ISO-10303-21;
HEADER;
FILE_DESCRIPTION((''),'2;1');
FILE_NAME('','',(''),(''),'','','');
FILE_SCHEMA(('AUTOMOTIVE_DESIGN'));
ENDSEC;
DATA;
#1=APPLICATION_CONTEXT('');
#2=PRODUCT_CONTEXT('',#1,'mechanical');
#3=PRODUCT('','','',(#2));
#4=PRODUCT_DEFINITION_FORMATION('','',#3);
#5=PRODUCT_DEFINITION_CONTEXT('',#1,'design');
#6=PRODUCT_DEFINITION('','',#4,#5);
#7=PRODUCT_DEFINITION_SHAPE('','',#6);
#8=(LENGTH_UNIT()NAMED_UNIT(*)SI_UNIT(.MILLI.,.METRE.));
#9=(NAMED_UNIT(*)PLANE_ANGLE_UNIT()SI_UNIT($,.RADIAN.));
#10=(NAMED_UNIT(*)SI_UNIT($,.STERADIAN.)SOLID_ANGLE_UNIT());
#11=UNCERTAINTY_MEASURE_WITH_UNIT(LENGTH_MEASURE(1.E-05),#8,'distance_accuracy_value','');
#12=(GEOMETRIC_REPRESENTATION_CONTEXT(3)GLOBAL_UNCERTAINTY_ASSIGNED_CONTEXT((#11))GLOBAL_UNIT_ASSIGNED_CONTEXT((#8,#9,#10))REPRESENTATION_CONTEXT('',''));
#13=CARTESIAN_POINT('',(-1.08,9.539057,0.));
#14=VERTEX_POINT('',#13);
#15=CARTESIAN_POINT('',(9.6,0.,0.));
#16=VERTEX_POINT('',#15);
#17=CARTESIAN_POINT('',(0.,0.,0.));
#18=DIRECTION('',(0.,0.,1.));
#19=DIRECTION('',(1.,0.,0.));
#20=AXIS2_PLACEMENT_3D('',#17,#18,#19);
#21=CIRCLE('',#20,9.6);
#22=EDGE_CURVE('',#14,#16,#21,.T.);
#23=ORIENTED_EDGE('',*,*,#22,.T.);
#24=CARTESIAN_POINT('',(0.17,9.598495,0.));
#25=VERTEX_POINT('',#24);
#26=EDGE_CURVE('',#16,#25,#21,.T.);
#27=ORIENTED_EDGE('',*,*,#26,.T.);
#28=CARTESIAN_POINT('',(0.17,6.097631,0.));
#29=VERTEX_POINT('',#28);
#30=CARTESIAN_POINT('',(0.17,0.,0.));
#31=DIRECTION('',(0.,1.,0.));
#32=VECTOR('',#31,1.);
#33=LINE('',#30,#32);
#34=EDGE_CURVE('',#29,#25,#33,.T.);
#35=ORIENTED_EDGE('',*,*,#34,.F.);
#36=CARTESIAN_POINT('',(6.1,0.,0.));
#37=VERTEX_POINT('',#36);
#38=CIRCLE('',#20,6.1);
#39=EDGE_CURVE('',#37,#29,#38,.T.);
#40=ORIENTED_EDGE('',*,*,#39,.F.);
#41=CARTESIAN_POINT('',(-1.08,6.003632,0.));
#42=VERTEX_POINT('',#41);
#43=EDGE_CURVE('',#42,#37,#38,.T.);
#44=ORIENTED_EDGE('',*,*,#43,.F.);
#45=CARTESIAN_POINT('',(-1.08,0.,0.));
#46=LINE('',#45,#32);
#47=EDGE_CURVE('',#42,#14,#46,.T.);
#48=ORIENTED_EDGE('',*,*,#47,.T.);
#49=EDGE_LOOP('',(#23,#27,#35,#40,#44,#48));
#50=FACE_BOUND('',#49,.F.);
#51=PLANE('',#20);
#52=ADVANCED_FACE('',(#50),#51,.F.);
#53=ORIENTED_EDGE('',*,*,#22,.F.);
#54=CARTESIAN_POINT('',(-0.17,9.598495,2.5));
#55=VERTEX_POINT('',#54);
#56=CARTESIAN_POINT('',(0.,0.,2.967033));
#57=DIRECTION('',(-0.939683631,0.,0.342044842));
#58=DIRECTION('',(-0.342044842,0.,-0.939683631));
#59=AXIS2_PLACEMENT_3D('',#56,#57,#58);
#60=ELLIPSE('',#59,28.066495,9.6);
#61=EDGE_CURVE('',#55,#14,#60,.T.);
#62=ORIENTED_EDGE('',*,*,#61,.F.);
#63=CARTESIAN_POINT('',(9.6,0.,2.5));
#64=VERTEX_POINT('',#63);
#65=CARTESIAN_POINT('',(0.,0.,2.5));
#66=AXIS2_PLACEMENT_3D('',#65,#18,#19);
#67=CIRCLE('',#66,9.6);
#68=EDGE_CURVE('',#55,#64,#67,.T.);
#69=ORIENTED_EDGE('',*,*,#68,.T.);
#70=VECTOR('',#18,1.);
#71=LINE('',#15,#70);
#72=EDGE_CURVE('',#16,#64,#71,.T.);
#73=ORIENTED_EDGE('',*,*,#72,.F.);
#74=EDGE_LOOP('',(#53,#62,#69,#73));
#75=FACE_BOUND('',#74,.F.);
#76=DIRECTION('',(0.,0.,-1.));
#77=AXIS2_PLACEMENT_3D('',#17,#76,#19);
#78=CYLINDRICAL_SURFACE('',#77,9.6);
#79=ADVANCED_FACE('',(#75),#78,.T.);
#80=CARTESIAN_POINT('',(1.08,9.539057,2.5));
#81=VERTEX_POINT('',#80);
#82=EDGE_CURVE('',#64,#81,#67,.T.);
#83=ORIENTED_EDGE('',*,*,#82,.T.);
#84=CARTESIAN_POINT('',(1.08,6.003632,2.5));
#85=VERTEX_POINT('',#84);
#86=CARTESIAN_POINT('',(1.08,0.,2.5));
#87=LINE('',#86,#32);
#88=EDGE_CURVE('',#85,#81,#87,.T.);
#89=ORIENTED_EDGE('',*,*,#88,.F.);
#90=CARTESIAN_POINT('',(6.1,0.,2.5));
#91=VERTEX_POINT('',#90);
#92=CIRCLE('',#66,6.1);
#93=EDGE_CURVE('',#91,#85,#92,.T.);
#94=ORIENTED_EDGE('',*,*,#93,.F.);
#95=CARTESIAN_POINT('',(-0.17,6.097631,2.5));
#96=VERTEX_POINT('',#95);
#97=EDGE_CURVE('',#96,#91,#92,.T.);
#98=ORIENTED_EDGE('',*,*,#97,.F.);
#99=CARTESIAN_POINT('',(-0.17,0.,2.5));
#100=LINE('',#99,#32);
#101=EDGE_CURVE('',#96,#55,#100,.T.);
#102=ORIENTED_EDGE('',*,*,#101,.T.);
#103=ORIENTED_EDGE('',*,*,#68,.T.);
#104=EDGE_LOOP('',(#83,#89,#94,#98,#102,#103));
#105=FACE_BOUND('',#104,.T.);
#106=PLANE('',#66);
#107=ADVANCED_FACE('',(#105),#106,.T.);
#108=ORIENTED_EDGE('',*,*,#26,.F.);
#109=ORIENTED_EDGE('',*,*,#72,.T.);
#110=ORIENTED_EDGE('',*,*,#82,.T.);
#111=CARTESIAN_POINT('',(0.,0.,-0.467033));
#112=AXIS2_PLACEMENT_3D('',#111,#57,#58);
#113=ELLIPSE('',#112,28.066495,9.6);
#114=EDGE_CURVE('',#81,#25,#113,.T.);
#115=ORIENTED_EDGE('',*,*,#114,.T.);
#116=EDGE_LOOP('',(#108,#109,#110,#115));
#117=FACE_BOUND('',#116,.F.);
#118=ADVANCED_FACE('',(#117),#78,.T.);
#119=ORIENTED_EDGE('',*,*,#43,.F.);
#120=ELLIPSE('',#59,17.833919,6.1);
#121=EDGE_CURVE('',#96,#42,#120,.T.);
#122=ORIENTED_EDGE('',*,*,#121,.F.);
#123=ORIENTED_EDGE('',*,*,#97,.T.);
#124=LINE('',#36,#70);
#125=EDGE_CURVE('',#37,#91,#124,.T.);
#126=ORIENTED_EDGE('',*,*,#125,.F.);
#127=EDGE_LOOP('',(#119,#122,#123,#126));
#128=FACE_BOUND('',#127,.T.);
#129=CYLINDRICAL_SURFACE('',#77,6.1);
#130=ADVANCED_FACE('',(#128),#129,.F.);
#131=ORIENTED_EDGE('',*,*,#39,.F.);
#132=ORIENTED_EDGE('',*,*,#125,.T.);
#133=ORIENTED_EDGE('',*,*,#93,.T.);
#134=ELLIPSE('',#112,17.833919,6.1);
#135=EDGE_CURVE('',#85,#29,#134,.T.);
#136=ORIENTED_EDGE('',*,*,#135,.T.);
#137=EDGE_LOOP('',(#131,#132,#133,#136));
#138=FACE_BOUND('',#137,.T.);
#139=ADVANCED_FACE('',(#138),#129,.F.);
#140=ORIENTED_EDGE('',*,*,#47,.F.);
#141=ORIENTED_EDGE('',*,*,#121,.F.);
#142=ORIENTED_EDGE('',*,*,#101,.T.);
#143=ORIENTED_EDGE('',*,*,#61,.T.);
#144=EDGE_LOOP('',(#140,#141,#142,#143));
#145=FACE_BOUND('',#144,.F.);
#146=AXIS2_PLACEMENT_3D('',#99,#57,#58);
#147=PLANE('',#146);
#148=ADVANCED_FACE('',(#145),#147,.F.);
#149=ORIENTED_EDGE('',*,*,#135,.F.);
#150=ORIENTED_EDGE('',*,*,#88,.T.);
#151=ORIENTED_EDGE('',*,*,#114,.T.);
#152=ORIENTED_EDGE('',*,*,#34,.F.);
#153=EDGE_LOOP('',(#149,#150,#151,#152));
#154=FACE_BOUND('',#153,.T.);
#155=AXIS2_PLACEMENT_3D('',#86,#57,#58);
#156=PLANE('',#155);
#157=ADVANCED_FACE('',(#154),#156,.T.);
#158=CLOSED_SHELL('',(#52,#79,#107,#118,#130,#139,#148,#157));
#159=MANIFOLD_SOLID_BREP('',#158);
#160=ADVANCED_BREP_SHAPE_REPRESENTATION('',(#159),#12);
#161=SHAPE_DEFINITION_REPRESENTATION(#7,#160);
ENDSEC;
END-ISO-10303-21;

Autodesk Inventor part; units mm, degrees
ref_plane "XZ Plane" through (0, 0, 0) normal (0, 1, 0) x (-1, 0, 0)
ref_plane "XY Plane" through (0, 0, 0) normal (0, 0, 1) x (1, 0, 0)
sketch "Sketch1" plane through (0, 0, 0) normal (0, 0, 1) x (1, 0, 0)
  circle A0 centre (0, 0) radius 9.6
  circle A1 centre (0, 0) radius 6.1
  line L0 (-2.59, 0) -> (2.59, 0) construction
  line L1 (0, -2.59) -> (0, 2.59) construction
  dimension "d0" = 19.2
  dimension "d1" = 12.2
extrude "Выдавливание1" add sketch "Sketch1" along normal blind 2.5
sketch "Sketch2" plane through (0, 0, 0) normal (0, 1, 0) x (-1, 0, 0)
  line L0 (-6.1, 2.5) -> (6.1, 2.5) construction
  line L1 (6.1, 0) -> (-6.1, 0) construction
  line L2 (-1.08, 2.5) -> (-0.17, 0)
  line L3 (0.17, 2.5) -> (1.08, 0)
  line L4 (0, 0) -> (0, 2.5) construction
  line L5 (0, 1.25) -> (-0.455, 2.5) construction
  line L6 (-1.08, 2.5) -> (0.17, 2.5)
  line L7 (-0.17, 0) -> (1.08, 0)
  dimension "d4" = 70
  dimension "d13" = 1.25
extrude "Выдавливание2" cut sketch "Sketch2" along normal through all
ref_plane "Work Plane1" through (0, 0, 0) normal (1, 0, 0) x (0, 1, 0)
equation "\"d0\" = d + 2 * b"
equation "\"d1\" = d"
equation "\"d2\" = s_"
equation "\"d4\" = Angle"
equation "\"d13\" = 0.5 * s_"
equation "\"d7\" = s_"
equation "\"ND\" = 12"
equation "\"d\" = 12.2"
equation "\"b\" = 3.5"
equation "\"s_\" = 2.5"
equation "\"D_\" = 19.2"
equation "\"Angle\" = 70deg"
properties part number "Шайба 2 12Л ГОСТ 6402-78" material "Сталь, мягкая"
